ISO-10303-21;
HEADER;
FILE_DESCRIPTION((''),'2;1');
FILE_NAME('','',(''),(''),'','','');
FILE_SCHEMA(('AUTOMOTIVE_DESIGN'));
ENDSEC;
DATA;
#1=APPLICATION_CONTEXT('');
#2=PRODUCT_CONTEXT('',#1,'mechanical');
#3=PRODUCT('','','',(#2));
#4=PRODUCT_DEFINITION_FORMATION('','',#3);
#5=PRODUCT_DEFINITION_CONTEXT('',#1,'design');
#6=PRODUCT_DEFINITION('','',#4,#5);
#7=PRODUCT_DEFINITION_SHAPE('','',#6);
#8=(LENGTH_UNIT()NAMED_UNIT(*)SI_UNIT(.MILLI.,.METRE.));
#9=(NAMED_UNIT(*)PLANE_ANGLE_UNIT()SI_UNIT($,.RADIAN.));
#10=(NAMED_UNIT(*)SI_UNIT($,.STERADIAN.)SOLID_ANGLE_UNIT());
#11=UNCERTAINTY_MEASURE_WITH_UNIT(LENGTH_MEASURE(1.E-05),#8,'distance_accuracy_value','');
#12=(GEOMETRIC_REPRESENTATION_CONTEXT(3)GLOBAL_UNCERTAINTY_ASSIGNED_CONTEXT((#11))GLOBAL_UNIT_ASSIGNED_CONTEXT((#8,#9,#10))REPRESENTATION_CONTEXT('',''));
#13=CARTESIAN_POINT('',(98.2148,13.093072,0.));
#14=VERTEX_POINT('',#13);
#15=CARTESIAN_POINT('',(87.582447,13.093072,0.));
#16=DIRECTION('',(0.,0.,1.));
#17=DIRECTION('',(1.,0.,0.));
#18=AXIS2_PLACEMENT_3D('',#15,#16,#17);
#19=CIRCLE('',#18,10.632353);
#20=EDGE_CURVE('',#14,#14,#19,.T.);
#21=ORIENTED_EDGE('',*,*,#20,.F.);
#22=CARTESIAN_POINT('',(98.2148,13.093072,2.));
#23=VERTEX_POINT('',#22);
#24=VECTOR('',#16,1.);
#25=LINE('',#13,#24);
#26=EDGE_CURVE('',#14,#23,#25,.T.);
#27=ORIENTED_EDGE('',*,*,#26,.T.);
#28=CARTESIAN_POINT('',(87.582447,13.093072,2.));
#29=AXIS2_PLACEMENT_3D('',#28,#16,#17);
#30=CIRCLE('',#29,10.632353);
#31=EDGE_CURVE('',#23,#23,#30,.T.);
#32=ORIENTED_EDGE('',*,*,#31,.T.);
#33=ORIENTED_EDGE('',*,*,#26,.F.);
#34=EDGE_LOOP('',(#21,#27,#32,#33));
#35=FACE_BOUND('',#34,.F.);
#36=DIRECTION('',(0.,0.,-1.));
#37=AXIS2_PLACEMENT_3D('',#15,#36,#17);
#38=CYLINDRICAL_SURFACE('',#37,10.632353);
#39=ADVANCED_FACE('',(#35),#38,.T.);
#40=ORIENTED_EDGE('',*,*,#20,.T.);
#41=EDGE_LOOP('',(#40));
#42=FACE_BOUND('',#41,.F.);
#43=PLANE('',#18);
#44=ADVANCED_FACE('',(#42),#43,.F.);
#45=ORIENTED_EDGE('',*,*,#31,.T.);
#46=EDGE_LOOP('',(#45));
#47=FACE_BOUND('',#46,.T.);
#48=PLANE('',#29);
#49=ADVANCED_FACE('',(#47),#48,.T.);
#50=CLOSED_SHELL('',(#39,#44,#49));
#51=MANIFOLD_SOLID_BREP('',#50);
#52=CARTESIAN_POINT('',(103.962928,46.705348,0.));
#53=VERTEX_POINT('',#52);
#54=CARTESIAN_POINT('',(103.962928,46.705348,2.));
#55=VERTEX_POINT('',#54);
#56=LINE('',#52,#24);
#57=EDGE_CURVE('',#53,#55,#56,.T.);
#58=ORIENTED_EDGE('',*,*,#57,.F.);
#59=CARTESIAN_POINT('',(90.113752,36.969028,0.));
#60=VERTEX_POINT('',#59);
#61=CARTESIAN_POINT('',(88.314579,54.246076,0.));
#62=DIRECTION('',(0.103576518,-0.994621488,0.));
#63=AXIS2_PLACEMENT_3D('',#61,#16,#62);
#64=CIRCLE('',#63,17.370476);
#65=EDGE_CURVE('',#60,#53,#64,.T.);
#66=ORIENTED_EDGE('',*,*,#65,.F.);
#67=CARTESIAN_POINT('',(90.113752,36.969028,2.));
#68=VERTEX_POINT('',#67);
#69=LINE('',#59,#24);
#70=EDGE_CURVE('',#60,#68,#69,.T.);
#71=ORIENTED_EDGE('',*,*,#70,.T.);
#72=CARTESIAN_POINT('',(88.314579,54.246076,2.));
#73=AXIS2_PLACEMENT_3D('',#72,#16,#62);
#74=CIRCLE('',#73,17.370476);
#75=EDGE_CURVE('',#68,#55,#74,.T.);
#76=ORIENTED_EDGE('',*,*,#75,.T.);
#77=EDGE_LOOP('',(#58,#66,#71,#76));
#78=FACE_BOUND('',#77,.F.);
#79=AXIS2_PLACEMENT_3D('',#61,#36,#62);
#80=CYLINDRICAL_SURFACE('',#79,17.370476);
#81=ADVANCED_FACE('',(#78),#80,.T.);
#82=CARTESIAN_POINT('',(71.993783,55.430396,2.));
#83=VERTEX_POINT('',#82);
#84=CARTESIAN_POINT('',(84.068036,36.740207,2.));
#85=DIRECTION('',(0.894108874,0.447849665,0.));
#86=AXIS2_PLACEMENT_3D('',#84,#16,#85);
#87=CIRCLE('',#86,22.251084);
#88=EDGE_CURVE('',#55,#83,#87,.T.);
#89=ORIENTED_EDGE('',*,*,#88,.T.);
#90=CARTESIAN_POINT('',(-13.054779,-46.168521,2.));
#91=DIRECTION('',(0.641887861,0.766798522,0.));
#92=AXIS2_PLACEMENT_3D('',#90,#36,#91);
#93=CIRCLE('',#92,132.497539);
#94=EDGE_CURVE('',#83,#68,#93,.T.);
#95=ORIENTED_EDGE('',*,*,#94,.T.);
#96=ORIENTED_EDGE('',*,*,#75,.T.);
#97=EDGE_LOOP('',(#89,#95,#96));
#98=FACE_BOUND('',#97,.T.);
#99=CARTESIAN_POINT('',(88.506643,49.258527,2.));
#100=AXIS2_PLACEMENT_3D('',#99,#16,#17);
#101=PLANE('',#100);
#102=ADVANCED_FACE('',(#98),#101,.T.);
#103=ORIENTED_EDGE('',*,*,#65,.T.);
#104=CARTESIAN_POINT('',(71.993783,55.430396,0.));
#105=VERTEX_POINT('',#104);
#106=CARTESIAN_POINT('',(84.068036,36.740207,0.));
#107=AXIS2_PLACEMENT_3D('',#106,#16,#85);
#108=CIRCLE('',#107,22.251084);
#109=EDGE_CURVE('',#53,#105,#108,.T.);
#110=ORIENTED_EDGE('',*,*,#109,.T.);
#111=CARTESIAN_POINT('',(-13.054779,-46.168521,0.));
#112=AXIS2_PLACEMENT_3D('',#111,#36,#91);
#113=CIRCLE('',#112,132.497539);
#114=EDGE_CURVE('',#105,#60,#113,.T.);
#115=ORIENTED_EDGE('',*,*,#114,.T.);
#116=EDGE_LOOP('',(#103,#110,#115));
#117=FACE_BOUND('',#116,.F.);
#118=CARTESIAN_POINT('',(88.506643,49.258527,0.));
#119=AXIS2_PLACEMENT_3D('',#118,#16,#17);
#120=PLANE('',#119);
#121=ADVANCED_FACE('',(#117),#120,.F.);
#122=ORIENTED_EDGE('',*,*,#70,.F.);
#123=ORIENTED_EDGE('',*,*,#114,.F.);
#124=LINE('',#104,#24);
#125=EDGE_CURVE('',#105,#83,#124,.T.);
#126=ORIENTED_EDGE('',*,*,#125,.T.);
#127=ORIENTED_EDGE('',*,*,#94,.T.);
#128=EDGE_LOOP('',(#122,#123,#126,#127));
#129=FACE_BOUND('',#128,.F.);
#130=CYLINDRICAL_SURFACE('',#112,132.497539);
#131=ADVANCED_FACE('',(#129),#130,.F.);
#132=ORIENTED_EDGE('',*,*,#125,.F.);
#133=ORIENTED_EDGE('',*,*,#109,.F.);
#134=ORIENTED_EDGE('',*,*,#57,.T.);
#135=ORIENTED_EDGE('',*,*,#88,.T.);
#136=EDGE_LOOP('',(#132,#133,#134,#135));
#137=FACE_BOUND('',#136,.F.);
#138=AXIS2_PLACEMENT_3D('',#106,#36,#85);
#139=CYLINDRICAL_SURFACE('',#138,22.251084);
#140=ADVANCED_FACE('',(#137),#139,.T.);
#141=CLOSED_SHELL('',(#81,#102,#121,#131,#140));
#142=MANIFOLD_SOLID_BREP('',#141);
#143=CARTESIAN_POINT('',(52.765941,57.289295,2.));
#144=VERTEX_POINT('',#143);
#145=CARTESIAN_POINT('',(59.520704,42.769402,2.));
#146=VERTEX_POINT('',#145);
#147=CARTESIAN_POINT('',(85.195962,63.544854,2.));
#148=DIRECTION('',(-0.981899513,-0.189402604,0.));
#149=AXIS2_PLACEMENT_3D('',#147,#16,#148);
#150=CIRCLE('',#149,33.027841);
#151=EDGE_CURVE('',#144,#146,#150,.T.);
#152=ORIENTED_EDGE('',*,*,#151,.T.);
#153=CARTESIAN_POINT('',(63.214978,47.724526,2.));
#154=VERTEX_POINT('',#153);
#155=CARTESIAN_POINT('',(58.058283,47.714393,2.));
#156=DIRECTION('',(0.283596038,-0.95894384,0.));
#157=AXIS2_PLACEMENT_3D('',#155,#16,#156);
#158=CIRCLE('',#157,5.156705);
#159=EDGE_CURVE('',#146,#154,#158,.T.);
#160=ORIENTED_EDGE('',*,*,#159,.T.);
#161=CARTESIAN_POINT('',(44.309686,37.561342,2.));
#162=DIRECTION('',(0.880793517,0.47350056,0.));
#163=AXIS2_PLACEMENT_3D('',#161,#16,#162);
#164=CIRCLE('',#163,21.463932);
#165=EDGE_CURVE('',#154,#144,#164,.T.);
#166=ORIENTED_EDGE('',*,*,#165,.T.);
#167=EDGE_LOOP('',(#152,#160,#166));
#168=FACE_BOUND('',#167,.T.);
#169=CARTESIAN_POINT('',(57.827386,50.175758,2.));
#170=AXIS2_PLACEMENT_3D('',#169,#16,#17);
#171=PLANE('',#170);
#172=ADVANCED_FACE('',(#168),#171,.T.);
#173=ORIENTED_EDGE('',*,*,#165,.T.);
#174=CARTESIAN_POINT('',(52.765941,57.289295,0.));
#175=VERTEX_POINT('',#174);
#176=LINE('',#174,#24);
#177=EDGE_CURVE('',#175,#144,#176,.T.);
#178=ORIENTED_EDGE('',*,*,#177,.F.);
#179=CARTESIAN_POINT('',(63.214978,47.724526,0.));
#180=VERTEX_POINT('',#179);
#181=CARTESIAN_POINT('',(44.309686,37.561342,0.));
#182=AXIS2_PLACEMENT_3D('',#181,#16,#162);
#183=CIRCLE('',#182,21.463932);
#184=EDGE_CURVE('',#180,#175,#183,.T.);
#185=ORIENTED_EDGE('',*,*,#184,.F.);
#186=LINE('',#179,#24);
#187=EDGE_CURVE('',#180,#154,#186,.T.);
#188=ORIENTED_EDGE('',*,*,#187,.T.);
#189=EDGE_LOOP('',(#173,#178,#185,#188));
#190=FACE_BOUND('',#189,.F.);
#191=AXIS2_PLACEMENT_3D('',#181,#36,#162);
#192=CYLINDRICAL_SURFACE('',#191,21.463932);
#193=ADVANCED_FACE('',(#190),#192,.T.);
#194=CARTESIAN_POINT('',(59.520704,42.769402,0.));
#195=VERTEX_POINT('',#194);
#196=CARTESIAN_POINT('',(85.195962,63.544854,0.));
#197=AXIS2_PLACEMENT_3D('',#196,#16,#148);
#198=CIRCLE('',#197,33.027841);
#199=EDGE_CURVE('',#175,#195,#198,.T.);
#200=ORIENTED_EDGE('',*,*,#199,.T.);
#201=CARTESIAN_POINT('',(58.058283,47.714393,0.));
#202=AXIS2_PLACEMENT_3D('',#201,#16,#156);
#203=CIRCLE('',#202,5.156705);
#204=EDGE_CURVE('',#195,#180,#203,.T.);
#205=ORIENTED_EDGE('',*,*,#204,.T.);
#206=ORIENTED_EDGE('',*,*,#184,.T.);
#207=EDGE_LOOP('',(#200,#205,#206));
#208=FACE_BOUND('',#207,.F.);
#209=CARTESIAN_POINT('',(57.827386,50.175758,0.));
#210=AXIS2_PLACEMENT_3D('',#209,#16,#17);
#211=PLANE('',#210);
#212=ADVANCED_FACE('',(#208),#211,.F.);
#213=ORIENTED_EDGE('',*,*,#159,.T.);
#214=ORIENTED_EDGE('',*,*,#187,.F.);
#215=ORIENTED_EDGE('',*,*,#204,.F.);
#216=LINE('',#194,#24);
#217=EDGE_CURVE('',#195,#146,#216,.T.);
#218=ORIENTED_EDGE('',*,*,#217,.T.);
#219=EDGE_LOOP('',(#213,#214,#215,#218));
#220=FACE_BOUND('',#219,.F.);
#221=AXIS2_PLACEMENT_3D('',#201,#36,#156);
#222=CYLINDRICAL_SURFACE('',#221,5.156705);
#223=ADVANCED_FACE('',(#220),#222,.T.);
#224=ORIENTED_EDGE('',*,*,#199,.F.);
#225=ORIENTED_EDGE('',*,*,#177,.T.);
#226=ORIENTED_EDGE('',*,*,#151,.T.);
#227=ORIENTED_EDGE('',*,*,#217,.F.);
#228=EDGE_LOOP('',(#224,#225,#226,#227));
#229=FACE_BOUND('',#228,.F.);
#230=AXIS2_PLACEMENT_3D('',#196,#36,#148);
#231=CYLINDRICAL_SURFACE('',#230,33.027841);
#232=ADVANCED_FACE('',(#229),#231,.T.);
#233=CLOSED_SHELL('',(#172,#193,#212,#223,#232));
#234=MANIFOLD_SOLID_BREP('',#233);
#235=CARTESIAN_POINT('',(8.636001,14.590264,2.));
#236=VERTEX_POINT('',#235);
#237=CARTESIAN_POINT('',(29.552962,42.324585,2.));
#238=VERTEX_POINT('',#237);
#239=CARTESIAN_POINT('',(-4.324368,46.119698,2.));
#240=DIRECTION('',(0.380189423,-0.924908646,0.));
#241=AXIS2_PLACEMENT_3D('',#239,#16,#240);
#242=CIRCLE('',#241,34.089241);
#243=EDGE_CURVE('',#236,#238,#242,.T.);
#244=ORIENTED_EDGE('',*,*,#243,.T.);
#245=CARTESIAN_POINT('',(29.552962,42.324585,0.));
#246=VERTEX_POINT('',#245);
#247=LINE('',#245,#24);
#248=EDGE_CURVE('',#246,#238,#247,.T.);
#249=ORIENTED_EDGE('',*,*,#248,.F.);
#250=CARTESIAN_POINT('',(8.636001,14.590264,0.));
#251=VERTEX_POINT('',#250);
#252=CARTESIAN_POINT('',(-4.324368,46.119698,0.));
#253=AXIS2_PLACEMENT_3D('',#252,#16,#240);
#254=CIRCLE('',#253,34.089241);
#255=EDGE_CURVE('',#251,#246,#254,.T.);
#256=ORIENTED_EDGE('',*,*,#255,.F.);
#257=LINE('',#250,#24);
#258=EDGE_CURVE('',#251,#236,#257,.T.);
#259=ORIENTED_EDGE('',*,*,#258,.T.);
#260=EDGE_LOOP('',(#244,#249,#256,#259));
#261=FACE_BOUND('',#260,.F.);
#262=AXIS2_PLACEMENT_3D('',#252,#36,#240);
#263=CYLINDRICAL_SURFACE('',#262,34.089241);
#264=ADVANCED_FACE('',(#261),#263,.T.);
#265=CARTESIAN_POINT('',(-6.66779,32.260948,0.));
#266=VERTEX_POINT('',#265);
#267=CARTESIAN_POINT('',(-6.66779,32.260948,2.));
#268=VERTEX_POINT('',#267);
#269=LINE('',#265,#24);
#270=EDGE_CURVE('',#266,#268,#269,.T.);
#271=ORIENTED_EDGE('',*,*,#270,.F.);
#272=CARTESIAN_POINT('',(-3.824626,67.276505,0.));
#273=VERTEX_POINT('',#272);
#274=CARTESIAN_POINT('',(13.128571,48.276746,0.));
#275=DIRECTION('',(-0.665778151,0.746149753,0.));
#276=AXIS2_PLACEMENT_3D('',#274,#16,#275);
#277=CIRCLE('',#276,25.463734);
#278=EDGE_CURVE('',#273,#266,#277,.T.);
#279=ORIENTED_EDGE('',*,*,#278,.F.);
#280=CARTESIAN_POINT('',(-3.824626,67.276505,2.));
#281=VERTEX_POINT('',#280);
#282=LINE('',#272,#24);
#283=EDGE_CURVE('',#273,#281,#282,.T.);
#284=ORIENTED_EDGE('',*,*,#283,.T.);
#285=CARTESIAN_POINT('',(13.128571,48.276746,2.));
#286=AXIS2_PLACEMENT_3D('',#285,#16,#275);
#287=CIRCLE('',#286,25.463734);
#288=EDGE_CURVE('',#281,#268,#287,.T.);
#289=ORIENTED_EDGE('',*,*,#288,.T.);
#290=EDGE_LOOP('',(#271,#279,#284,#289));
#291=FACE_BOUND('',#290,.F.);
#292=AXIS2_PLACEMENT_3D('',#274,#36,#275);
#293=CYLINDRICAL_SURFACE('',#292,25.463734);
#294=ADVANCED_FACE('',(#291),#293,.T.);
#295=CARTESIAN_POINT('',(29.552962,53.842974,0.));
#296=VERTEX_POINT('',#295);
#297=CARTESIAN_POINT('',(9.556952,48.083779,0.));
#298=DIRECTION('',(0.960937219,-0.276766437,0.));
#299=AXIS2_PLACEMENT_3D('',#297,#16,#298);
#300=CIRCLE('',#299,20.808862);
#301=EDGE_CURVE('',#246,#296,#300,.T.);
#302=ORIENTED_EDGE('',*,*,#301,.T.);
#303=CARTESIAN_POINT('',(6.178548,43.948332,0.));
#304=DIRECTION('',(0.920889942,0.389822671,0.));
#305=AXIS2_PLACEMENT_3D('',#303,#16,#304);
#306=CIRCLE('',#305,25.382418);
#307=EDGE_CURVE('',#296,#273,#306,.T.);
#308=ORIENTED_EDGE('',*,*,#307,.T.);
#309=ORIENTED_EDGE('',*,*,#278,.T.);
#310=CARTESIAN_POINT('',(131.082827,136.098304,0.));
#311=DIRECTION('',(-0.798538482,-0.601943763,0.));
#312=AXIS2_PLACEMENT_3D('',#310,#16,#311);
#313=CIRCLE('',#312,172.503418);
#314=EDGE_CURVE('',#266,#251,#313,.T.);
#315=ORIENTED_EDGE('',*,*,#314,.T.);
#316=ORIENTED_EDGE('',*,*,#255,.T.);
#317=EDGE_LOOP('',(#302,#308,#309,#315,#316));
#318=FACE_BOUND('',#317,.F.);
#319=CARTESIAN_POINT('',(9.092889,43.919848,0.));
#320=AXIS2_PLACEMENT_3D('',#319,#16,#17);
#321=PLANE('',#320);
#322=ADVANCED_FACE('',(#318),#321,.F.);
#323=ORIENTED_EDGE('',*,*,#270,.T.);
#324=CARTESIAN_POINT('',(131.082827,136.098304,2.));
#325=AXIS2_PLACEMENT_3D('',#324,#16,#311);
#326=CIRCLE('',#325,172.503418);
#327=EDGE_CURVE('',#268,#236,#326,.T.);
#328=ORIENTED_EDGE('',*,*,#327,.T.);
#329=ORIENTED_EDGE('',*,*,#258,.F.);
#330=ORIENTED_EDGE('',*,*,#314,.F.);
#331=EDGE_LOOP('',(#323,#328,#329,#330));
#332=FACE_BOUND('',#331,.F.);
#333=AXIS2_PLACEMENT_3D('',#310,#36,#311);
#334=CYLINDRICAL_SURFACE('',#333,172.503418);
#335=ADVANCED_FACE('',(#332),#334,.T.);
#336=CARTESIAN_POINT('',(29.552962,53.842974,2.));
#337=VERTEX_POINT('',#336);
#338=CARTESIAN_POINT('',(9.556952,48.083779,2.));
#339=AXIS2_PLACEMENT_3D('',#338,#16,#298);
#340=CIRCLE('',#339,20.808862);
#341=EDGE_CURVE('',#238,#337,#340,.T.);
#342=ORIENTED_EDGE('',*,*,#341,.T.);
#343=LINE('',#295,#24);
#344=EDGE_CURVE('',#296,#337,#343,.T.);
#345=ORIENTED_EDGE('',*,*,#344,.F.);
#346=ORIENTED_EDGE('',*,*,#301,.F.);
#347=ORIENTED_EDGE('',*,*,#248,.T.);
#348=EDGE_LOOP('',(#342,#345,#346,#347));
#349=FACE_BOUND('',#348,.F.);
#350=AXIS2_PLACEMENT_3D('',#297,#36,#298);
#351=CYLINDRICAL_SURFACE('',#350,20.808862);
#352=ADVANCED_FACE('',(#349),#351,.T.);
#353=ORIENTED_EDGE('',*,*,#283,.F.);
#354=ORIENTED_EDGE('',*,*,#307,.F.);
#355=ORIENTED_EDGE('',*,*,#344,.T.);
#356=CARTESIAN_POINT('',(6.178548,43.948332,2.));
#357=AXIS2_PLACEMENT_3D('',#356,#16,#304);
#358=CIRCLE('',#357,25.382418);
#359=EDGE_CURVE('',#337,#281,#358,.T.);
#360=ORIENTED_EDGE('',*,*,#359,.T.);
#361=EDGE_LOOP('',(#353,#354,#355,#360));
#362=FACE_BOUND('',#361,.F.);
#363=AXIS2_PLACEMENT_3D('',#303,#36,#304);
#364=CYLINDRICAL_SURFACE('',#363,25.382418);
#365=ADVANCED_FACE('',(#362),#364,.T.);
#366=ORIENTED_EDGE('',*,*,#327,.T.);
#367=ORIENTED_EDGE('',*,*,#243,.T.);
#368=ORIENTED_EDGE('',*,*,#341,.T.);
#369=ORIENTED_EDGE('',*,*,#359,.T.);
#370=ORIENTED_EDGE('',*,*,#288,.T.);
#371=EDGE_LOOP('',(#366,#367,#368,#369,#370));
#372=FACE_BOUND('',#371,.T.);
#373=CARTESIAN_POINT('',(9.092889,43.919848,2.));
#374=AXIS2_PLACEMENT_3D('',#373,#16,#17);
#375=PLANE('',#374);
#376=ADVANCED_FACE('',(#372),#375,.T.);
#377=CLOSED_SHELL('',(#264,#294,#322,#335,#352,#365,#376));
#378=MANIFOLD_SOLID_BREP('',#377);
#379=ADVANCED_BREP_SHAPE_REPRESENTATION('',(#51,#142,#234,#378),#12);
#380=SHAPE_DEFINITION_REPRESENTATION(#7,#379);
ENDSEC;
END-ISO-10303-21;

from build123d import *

# Parameters (mm, degrees)
F0_R     = 10.632353
F1_DEPTH = 2


with BuildPart() as f1:
    # F0 (on Top) → F1 (new body)
    with BuildSketch(Plane.XY):
        with BuildLine():
            ThreePointArc((29.552962, 53.842974), (15.655491, 67.495194), (-3.824626, 67.276505))
            ThreePointArc((-3.824626, 67.276505), (-12.251634, 50.337547), (-6.66779, 32.260948))
            ThreePointArc((-6.66779, 32.260948), (0.684435, 23.166075), (8.636001, 14.590264))
            ThreePointArc((8.636001, 14.590264), (22.892183, 25.593234), (29.552962, 42.324585))
            ThreePointArc((29.552962, 42.324585), (30.365814, 48.083779), (29.552962, 53.842974))
        make_face()
        with BuildLine():
            ThreePointArc((90.113752, 36.969028), (98.304724, 40.035854), (103.962928, 46.705348))
            ThreePointArc((103.962928, 46.705348), (89.926552, 58.206193), (71.993783, 55.430396))
            ThreePointArc((71.993783, 55.430396), (81.505382, 46.642975), (90.113752, 36.969028))
        make_face()
        with Locations((87.582447, 13.093072)):
            Circle(F0_R)
        with BuildLine():
            ThreePointArc((63.214978, 47.724526), (58.802262, 53.393765), (52.765941, 57.289295))
            ThreePointArc((52.765941, 57.289295), (55.249966, 49.613752), (59.520704, 42.769402))
            ThreePointArc((59.520704, 42.769402), (62.192468, 44.632166), (63.214978, 47.724526))
        make_face()
    extrude(amount=F1_DEPTH)


solid = f1.part
